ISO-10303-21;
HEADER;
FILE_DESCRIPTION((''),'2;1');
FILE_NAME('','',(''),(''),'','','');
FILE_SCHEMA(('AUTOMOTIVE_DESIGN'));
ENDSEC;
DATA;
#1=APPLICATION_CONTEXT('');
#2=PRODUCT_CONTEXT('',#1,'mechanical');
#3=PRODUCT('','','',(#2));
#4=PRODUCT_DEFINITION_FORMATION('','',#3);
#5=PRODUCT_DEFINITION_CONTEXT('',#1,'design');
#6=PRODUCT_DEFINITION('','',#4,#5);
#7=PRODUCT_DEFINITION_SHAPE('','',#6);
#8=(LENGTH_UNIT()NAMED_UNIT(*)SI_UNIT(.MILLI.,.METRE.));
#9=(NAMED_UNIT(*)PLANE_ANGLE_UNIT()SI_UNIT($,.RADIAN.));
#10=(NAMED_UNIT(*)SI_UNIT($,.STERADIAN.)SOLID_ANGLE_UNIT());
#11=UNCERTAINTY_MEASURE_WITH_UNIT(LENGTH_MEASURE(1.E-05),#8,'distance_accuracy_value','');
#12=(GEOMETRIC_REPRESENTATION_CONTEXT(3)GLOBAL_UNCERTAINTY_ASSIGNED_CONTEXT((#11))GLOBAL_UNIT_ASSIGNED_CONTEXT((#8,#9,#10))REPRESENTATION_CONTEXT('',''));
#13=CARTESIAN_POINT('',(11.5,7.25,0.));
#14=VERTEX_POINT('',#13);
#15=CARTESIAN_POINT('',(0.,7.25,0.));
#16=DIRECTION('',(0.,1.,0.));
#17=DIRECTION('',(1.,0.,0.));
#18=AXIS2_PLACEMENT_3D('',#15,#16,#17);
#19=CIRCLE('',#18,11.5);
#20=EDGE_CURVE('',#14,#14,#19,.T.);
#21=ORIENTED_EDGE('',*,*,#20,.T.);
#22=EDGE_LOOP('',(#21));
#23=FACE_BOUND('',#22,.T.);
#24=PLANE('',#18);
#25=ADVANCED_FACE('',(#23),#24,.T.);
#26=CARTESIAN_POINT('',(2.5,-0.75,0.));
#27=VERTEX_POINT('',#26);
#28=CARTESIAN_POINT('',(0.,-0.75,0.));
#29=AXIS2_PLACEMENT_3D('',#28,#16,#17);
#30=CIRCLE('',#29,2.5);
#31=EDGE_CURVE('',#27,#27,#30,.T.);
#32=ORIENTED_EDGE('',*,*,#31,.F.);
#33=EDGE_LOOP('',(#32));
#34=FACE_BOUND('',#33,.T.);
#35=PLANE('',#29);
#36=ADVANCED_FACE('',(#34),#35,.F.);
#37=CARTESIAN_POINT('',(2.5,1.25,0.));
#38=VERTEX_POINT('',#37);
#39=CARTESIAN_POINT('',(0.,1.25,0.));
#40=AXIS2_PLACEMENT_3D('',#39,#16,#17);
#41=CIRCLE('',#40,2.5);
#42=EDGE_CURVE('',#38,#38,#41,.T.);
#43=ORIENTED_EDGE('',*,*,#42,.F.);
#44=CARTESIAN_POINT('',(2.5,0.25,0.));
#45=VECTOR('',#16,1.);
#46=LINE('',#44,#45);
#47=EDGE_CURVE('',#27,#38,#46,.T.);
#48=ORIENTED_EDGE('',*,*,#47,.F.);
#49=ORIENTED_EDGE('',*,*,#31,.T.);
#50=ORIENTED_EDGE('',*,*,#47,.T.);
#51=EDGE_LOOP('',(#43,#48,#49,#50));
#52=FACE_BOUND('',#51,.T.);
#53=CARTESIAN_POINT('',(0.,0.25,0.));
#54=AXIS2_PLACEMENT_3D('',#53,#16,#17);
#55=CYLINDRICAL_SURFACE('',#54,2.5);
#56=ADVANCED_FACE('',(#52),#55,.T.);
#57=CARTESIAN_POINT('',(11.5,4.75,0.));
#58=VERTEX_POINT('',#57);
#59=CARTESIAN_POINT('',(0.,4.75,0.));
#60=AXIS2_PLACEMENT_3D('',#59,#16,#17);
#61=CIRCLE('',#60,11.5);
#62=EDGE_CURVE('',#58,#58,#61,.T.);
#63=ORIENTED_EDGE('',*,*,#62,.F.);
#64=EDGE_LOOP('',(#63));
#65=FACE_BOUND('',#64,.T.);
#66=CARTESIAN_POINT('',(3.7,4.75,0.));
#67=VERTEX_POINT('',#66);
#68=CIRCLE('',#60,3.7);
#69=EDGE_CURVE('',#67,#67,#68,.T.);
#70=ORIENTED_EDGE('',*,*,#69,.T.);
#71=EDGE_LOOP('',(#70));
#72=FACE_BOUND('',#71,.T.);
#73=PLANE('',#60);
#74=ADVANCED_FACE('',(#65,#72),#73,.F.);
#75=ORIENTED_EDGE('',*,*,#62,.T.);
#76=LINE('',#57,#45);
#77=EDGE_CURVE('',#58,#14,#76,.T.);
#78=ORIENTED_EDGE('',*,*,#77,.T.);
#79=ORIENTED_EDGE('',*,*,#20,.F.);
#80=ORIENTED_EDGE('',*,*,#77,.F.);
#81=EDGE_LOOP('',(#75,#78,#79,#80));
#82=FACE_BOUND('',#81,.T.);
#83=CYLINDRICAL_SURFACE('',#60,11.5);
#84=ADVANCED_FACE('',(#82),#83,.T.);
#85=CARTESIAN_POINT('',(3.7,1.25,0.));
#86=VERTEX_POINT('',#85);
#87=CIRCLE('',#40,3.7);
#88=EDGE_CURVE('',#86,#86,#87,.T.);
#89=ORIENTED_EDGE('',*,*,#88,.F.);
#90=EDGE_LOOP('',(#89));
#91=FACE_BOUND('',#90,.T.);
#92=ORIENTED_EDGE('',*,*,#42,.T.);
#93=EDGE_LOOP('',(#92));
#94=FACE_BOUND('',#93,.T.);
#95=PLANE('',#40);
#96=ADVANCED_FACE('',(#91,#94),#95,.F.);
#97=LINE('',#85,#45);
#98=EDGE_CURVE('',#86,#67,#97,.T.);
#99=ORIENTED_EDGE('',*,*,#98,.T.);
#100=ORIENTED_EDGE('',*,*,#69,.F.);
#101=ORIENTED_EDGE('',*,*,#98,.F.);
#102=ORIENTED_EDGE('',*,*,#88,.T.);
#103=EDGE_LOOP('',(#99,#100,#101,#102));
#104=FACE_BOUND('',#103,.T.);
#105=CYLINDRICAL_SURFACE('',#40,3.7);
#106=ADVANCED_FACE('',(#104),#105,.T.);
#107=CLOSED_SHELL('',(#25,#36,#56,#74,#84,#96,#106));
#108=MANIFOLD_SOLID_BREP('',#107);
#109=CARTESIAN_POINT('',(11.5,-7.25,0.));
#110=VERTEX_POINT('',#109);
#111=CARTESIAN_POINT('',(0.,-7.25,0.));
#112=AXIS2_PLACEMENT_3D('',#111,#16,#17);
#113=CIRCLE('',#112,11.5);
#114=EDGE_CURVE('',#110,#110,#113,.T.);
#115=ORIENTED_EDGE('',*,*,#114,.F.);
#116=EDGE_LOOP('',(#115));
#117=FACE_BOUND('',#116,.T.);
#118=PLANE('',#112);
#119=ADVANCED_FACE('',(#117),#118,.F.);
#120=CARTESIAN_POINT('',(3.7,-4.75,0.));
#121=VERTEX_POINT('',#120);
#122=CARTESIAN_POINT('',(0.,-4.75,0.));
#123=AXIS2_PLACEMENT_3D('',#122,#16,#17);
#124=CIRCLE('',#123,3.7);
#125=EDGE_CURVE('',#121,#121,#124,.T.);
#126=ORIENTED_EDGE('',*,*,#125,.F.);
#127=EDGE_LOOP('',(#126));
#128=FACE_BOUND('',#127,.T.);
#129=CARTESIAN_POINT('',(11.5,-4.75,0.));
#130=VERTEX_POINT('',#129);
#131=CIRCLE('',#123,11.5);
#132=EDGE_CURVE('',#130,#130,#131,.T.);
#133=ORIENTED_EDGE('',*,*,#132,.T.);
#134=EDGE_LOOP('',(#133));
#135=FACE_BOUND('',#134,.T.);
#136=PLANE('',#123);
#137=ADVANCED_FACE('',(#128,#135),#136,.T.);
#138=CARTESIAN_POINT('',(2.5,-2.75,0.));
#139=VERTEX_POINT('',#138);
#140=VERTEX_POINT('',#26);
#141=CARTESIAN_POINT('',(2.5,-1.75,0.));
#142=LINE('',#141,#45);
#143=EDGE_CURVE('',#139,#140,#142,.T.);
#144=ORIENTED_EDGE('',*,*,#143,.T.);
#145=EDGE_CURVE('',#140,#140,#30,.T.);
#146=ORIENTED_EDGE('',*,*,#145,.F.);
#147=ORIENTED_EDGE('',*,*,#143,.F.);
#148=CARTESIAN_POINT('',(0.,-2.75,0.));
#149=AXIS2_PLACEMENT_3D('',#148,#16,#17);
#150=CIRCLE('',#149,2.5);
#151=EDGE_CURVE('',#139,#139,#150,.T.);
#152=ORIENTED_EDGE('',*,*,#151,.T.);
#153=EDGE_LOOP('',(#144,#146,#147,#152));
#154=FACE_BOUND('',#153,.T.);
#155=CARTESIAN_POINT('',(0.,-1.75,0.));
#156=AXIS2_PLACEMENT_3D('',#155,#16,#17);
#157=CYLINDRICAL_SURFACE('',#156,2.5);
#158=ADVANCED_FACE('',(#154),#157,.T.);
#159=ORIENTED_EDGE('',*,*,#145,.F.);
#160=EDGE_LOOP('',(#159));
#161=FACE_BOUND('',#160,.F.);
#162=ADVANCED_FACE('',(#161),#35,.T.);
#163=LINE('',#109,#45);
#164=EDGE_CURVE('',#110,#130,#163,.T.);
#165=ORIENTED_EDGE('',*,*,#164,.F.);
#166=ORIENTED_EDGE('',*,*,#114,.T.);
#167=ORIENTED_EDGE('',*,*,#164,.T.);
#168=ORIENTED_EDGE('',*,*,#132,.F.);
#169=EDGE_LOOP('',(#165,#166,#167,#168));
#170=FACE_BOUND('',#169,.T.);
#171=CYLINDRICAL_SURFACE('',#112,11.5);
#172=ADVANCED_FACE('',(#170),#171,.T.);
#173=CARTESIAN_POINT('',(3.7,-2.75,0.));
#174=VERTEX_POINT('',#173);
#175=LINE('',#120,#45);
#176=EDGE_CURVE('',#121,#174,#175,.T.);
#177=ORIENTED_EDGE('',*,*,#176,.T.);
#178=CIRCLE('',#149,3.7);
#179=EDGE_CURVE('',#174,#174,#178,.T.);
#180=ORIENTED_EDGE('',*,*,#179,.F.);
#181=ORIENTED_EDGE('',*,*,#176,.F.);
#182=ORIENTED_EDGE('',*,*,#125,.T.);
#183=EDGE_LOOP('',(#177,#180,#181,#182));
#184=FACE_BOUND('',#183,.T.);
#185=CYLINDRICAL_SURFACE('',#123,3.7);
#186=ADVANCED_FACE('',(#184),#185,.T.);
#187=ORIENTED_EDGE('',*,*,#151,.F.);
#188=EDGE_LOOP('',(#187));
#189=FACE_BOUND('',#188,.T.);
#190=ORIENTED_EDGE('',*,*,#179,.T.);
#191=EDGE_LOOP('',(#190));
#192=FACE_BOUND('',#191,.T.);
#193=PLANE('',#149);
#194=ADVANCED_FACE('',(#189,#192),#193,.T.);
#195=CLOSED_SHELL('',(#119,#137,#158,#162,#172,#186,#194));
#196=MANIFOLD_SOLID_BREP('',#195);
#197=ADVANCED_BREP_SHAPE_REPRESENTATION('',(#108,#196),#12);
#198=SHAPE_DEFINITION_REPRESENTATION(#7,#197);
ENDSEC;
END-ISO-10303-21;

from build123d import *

# Parameters (mm, degrees)
F0_W = 2.5
F0_H = 2


with BuildPart() as f1:
    # F0 (on Top) → F1 (revolve)
    with BuildSketch(Plane.XY):
        with Locations((1.25, 0.25)):
            Rectangle(F0_W, F0_H)
        Polygon((0, 7.25), (0, 1.25), (2.5, 1.25), (3.7, 1.25), (3.7, 4.75), (11.5, 4.75), (11.5, 7.25), align=None)
    revolve(axis=Axis((0, 1.1456771065, 0), (0, 1, 0)))


with BuildPart() as f2:
    # F0 (on Top) → F2 (revolve)
    with BuildSketch(Plane.XY):
        with Locations((1.25, -1.75)):
            Rectangle(F0_W, F0_H)
        Polygon((2.5, -2.75), (0, -2.75), (0, -7.25), (11.5, -7.25), (11.5, -4.75), (3.7, -4.75), (3.7, -2.75), align=None)
    revolve(axis=Axis((0, 1.1456771065, 0), (0, 1, 0)))


solid = Compound([f1.part, f2.part])
